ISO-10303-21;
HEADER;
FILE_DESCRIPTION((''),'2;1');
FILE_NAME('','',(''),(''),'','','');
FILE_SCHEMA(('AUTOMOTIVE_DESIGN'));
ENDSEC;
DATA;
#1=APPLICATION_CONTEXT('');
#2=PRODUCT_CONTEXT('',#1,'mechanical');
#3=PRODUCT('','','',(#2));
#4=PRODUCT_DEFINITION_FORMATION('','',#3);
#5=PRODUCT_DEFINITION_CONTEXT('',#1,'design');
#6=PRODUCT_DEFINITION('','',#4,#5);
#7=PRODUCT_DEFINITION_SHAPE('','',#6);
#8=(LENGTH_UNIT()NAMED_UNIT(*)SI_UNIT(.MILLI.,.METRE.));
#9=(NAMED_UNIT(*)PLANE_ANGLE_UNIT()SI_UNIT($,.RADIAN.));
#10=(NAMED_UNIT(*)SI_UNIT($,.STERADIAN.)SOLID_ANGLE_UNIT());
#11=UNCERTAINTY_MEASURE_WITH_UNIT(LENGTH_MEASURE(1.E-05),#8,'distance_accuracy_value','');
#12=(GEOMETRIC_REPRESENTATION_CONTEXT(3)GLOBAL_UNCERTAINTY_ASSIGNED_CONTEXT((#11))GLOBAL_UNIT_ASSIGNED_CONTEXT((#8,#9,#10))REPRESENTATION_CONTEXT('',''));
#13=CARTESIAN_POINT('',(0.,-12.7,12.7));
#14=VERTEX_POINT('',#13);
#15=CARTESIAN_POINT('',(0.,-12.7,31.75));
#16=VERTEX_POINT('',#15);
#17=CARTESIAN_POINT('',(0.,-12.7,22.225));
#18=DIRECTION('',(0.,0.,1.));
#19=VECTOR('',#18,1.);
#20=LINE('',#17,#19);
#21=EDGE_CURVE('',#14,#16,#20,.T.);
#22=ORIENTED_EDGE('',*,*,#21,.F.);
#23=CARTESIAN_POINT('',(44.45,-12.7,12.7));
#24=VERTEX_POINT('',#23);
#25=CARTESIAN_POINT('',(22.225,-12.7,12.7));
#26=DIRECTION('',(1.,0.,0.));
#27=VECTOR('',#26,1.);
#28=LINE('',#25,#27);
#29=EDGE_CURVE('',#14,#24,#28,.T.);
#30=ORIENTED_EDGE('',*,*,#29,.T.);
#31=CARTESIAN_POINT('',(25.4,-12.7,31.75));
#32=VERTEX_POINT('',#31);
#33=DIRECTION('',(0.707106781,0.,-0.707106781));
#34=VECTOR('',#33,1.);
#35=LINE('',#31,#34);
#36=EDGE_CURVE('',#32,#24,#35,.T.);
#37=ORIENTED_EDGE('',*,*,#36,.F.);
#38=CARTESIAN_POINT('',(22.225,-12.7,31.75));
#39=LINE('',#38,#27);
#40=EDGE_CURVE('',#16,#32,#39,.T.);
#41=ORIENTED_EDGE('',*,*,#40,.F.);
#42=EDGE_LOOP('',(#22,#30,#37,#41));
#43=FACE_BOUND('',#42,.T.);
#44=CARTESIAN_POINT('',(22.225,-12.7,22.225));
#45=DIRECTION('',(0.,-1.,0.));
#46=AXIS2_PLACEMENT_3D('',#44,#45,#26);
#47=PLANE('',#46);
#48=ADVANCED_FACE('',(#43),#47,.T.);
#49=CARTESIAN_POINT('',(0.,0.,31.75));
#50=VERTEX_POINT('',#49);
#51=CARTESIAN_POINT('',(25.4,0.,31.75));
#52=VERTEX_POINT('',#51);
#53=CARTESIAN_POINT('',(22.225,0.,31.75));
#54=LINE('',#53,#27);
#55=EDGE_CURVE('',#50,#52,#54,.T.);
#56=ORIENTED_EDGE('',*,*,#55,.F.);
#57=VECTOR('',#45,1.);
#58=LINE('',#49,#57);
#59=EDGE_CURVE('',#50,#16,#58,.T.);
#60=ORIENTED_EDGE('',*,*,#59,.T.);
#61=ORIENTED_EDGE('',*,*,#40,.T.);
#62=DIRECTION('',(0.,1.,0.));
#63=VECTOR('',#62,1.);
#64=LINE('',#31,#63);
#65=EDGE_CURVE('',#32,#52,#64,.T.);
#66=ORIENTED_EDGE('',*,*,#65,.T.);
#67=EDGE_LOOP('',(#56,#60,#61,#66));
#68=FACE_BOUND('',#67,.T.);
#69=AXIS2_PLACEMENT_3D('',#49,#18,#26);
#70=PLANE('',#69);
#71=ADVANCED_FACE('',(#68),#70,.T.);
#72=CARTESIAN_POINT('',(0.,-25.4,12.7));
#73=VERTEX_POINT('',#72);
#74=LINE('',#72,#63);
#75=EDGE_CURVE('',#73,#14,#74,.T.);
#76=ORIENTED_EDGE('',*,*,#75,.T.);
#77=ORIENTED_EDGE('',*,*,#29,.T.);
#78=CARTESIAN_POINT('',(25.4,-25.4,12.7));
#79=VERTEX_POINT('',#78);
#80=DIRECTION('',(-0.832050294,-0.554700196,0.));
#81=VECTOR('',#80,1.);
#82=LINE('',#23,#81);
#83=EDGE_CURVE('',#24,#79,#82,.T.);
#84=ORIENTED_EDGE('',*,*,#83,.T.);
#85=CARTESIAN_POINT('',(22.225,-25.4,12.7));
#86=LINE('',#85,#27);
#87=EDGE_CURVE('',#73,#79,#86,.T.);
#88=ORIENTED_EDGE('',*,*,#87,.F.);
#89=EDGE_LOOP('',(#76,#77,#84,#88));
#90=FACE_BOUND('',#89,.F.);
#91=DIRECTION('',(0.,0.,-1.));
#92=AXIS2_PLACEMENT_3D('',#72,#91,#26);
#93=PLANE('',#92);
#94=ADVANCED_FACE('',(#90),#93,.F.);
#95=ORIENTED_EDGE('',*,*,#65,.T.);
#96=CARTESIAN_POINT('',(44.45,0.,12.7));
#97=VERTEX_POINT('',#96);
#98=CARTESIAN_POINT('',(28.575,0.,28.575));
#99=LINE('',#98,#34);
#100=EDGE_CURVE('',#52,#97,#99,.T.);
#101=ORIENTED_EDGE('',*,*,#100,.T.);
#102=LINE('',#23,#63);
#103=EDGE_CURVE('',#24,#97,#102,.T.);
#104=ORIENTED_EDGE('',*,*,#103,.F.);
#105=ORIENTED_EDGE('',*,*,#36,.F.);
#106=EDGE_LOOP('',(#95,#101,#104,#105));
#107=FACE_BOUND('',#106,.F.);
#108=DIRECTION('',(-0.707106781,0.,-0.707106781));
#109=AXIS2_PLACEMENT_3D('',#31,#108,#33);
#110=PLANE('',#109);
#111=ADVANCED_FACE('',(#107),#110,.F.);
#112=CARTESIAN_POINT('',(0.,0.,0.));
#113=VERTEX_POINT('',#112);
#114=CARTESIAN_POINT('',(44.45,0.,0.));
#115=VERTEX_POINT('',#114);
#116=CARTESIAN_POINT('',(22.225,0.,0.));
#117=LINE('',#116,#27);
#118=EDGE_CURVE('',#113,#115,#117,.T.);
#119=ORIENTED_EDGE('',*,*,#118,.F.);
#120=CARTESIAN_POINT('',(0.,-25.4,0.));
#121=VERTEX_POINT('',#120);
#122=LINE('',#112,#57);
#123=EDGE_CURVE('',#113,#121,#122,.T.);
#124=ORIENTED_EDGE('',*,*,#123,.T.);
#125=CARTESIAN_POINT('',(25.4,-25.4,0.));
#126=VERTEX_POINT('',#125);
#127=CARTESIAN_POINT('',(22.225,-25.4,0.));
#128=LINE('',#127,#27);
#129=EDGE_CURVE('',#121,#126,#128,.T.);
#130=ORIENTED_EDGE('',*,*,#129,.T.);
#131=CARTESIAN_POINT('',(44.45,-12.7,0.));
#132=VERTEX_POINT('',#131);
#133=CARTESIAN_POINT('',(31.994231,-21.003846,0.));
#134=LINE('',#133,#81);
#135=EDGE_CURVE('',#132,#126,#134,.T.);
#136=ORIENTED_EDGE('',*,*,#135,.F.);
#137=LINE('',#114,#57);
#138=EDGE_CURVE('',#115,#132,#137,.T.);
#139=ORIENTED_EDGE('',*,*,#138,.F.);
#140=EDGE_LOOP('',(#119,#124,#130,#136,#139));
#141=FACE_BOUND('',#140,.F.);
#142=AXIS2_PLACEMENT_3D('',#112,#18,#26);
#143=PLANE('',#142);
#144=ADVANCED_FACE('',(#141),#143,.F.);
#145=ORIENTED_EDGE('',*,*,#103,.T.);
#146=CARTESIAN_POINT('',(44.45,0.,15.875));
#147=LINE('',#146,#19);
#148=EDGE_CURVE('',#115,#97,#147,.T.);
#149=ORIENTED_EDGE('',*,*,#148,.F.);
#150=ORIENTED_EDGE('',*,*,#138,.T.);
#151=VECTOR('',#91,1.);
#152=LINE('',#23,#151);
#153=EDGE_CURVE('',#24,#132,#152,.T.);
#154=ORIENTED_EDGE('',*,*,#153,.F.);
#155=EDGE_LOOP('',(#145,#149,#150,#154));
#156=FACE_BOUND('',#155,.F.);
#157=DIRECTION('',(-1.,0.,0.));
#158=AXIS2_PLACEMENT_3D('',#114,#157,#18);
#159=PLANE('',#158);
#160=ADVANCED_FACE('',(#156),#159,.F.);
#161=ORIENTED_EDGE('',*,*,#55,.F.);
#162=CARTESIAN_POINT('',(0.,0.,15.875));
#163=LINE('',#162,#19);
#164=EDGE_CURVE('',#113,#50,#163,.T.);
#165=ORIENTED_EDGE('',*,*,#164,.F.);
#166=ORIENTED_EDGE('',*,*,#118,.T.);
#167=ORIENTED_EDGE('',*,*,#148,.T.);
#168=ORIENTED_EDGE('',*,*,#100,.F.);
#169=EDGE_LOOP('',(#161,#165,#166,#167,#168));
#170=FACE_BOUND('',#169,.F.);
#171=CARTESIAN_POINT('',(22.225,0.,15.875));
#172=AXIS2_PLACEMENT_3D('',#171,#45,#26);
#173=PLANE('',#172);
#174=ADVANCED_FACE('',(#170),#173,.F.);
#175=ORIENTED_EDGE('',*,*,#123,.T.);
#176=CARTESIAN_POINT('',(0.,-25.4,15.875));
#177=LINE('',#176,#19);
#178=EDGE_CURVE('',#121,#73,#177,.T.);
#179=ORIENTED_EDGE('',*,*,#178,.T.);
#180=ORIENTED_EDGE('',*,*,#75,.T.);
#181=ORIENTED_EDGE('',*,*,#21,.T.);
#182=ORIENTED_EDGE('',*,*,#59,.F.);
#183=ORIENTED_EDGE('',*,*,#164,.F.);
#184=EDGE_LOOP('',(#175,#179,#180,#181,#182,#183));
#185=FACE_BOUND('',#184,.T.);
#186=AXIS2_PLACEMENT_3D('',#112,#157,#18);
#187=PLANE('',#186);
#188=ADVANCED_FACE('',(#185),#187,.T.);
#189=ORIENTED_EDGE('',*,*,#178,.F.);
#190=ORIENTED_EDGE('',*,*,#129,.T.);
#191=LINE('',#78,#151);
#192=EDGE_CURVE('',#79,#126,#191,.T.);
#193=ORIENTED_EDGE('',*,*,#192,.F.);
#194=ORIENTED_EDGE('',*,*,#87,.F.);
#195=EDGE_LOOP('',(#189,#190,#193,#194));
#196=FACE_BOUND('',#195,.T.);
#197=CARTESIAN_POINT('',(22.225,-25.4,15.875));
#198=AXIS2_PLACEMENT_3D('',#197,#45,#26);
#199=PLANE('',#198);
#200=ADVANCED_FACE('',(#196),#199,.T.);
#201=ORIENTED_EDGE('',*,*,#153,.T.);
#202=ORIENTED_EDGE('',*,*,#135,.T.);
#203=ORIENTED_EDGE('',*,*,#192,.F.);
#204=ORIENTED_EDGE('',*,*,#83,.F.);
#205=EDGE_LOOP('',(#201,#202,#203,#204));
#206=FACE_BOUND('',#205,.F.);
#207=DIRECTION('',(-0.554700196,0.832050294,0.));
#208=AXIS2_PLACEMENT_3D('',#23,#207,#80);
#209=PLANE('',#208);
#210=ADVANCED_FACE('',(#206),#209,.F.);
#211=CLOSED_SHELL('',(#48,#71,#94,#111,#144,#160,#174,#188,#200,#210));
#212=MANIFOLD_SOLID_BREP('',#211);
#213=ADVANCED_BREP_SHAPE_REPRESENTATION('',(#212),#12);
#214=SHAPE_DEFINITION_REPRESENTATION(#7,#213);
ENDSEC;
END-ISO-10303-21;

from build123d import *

# Parameters (mm, degrees)
F0_W     = 44.45
F0_H     = 31.75
F1_DEPTH = 25.4
F2_W     = 44.45
F2_H     = 19.05
F3_DEPTH = 12.7
F5_DEPTH = 12.701
F7_DEPTH = 12.701


with BuildPart() as f1:
    # F0 (on Front) → F1 (new body)
    with BuildSketch(Plane.XZ):
        with Locations((22.225, 15.875)):
            Rectangle(F0_W, F0_H)
    extrude(amount=F1_DEPTH)

    # F2 (on face) → F3 (cut)
    with BuildSketch(Plane.XZ.offset(25.4)):
        with Locations((22.225, 22.225)):
            Rectangle(F2_W, F2_H)
    extrude(amount=-F3_DEPTH, mode=Mode.SUBTRACT)

    # F4 (on face) → F5 (cut, through all)
    with BuildSketch(Plane.XZ.offset(12.7)):
        Polygon((44.45, 31.75), (25.4, 31.75), (44.45, 12.7), align=None)
    extrude(amount=-F5_DEPTH, mode=Mode.SUBTRACT)

    # F6 (on face) → F7 (cut, through all)
    with BuildSketch(Plane.XY.offset(12.7)):
        Polygon((44.45, -25.4), (44.45, -12.7), (25.4, -25.4), align=None)
    extrude(amount=-F7_DEPTH, mode=Mode.SUBTRACT)


solid = f1.part
